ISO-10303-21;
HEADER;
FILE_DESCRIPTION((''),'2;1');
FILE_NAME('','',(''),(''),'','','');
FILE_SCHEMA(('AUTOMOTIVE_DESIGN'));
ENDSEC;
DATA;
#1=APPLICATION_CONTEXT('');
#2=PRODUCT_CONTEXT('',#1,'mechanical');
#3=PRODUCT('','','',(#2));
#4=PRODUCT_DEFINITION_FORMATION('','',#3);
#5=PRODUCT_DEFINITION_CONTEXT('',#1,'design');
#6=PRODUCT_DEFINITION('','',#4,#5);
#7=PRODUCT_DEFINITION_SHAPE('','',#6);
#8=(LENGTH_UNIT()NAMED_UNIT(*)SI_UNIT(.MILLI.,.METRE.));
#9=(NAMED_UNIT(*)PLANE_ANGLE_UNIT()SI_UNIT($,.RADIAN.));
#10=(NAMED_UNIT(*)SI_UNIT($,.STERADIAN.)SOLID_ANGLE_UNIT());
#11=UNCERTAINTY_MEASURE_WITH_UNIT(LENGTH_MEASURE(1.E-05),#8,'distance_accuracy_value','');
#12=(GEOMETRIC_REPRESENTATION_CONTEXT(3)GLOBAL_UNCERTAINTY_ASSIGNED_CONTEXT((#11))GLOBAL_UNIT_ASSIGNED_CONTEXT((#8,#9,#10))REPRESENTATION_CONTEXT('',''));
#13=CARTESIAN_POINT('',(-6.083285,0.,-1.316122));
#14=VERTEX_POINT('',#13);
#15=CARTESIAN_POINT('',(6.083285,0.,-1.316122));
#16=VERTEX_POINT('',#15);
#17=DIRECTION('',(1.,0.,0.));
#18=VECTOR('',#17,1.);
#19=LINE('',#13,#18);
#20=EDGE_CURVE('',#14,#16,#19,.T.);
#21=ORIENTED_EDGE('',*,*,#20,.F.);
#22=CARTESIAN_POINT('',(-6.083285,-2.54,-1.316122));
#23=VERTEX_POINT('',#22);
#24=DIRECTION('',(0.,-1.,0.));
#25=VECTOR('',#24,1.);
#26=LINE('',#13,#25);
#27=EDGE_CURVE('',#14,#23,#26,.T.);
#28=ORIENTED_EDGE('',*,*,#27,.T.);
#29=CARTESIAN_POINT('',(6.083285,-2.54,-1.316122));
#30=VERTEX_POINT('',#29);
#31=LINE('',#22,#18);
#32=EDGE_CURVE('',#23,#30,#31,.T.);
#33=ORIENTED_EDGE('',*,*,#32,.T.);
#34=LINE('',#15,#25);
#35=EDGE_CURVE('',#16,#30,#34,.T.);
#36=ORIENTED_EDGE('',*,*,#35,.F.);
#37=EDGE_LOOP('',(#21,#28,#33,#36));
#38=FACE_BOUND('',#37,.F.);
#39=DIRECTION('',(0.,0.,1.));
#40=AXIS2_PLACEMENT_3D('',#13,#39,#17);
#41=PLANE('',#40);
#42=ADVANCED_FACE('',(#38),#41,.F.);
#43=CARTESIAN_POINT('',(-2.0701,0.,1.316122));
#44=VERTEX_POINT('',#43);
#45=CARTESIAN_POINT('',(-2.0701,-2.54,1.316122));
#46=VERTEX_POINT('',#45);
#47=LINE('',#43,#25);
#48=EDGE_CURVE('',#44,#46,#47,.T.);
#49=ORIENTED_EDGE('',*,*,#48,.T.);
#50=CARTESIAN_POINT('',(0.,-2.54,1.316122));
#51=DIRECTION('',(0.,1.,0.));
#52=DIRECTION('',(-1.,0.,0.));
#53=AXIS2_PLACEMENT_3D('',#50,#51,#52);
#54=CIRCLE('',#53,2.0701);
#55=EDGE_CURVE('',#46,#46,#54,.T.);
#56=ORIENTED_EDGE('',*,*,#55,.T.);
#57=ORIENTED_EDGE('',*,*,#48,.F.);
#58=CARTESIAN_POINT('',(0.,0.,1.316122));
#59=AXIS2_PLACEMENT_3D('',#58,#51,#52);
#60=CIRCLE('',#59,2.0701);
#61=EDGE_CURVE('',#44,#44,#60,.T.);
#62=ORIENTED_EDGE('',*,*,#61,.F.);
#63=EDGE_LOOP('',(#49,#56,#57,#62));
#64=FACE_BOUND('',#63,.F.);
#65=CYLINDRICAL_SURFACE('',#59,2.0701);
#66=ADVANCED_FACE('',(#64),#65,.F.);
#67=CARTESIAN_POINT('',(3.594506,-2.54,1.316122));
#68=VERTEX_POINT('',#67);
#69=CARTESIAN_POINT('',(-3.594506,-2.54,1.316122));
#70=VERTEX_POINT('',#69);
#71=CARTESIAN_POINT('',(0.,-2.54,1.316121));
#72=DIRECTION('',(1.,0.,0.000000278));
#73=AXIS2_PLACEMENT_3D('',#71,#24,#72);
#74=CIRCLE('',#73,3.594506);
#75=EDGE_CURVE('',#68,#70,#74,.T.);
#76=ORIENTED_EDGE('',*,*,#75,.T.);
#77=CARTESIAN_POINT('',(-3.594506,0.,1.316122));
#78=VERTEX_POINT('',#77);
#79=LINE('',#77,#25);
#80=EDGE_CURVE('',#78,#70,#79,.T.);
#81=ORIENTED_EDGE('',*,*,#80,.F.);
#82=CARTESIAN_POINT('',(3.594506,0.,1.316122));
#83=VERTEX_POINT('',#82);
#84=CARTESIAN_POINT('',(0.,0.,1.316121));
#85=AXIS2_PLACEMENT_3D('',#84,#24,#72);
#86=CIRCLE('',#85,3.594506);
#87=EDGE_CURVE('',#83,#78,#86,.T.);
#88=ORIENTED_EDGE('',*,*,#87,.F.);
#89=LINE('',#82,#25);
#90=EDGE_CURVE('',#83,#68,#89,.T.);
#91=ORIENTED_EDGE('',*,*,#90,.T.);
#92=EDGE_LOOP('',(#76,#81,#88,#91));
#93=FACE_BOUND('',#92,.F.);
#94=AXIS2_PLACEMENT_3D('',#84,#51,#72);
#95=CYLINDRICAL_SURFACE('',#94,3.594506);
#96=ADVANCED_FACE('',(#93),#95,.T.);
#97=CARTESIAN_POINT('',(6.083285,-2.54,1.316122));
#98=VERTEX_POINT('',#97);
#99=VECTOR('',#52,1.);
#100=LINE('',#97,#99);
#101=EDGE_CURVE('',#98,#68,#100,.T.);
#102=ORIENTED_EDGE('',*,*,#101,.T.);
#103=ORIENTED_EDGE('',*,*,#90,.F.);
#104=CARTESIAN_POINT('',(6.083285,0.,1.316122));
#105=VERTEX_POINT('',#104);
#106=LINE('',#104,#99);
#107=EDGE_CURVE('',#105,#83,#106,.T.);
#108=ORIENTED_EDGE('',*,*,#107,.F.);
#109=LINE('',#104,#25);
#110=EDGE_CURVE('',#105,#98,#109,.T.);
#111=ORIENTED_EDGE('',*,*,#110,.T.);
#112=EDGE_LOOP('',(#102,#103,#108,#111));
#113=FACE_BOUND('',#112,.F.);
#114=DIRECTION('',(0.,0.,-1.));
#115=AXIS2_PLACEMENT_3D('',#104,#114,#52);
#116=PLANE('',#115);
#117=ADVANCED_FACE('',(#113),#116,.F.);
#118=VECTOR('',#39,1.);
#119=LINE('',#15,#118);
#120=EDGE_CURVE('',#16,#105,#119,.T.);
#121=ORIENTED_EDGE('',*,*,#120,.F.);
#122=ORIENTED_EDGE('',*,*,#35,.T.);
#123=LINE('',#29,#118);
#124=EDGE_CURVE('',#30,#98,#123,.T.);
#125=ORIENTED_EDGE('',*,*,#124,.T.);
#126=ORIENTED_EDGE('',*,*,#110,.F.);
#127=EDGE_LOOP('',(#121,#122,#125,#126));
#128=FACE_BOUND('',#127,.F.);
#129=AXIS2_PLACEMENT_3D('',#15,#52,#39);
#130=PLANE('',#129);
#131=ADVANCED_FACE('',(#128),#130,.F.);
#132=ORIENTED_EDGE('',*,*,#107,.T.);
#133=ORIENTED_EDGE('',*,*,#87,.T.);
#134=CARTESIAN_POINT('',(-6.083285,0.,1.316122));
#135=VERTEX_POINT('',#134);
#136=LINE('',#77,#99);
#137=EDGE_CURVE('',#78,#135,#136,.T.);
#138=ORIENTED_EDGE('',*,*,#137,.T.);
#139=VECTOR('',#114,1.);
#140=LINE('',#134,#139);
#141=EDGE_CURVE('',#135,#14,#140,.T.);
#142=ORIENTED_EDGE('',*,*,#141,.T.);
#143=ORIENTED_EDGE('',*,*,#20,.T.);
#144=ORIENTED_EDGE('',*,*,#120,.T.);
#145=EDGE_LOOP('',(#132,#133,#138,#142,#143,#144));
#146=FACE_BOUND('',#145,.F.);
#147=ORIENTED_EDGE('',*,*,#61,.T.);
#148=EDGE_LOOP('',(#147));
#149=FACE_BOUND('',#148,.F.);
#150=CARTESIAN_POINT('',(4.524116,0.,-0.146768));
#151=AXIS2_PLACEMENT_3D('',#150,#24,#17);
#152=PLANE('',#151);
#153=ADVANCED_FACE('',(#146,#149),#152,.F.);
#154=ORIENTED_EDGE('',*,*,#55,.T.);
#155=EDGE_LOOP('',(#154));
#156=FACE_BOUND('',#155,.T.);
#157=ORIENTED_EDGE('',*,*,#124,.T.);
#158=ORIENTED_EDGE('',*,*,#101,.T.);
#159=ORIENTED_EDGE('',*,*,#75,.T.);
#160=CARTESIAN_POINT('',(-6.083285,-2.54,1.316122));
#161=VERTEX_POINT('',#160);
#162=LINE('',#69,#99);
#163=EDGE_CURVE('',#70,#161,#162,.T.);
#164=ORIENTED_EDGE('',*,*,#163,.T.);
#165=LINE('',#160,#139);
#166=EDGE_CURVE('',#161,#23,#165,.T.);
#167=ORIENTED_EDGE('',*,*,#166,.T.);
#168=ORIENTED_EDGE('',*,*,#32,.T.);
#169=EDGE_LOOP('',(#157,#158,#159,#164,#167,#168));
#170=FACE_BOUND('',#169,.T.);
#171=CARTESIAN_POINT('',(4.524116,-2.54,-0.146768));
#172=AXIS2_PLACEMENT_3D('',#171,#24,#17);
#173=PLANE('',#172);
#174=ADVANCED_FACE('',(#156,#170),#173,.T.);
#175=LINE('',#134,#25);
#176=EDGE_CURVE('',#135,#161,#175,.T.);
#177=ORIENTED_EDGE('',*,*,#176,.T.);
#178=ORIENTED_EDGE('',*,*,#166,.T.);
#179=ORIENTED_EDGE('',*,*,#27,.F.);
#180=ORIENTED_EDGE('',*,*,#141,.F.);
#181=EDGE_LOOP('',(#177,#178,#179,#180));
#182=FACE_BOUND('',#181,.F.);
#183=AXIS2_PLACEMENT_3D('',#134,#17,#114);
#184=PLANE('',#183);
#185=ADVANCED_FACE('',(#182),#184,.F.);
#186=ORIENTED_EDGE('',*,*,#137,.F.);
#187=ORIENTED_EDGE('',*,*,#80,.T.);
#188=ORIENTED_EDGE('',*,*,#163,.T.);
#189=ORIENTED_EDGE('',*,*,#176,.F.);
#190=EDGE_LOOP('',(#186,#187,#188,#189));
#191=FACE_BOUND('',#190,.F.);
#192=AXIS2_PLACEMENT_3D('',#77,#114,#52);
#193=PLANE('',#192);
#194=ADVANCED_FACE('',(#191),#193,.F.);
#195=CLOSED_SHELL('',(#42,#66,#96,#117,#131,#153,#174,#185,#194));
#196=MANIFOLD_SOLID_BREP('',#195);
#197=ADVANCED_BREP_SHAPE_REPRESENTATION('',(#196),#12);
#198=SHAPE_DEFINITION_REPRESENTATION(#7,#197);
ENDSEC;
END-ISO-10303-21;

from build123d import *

# Parameters (mm, degrees)
F1_DEPTH = 2.54


with BuildPart() as f1:
    # F0 (on Front) → F1 (new body)
    with BuildSketch(Plane.XZ):
        with BuildLine():
            Line((6.083285, -1.316122), (6.083285, 1.316122))
            Line((6.083285, 1.316122), (3.594506, 1.316122))
            ThreePointArc((3.594506, 1.316122), (3.295386, -0.119464), (2.447808, -1.316122))
            Line((2.447808, -1.316122), (6.083285, -1.316122))
        make_face()
        with BuildLine():
            ThreePointArc((2.447808, -1.316122), (3.295386, -0.119464), (3.594506, 1.316122))
            Line((3.594506, 1.316122), (2.0701, 1.316122))
            ThreePointArc((2.0701, 1.316122), (0, -0.753978), (-2.0701, 1.316122))
            Line((-2.0701, 1.316122), (-3.594506, 1.316122))
            ThreePointArc((-3.594506, 1.316122), (-3.295386, -0.119464), (-2.447808, -1.316122))
            Line((-2.447808, -1.316122), (2.447808, -1.316122))
        make_face()
        with BuildLine():
            Line((2.0701, 1.316122), (3.594506, 1.316122))
            ThreePointArc((3.594506, 1.316122), (0, 4.910627), (-3.594506, 1.316122))
            Line((-3.594506, 1.316122), (-2.0701, 1.316122))
            ThreePointArc((-2.0701, 1.316122), (0, 3.386222), (2.0701, 1.316122))
        make_face()
        with BuildLine():
            ThreePointArc((-2.447808, -1.316122), (-3.295386, -0.119464), (-3.594506, 1.316122))
            Line((-3.594506, 1.316122), (-6.083285, 1.316122))
            Line((-6.083285, 1.316122), (-6.083285, -1.316122))
            Line((-6.083285, -1.316122), (-2.447808, -1.316122))
        make_face()
    extrude(amount=F1_DEPTH)


solid = f1.part
